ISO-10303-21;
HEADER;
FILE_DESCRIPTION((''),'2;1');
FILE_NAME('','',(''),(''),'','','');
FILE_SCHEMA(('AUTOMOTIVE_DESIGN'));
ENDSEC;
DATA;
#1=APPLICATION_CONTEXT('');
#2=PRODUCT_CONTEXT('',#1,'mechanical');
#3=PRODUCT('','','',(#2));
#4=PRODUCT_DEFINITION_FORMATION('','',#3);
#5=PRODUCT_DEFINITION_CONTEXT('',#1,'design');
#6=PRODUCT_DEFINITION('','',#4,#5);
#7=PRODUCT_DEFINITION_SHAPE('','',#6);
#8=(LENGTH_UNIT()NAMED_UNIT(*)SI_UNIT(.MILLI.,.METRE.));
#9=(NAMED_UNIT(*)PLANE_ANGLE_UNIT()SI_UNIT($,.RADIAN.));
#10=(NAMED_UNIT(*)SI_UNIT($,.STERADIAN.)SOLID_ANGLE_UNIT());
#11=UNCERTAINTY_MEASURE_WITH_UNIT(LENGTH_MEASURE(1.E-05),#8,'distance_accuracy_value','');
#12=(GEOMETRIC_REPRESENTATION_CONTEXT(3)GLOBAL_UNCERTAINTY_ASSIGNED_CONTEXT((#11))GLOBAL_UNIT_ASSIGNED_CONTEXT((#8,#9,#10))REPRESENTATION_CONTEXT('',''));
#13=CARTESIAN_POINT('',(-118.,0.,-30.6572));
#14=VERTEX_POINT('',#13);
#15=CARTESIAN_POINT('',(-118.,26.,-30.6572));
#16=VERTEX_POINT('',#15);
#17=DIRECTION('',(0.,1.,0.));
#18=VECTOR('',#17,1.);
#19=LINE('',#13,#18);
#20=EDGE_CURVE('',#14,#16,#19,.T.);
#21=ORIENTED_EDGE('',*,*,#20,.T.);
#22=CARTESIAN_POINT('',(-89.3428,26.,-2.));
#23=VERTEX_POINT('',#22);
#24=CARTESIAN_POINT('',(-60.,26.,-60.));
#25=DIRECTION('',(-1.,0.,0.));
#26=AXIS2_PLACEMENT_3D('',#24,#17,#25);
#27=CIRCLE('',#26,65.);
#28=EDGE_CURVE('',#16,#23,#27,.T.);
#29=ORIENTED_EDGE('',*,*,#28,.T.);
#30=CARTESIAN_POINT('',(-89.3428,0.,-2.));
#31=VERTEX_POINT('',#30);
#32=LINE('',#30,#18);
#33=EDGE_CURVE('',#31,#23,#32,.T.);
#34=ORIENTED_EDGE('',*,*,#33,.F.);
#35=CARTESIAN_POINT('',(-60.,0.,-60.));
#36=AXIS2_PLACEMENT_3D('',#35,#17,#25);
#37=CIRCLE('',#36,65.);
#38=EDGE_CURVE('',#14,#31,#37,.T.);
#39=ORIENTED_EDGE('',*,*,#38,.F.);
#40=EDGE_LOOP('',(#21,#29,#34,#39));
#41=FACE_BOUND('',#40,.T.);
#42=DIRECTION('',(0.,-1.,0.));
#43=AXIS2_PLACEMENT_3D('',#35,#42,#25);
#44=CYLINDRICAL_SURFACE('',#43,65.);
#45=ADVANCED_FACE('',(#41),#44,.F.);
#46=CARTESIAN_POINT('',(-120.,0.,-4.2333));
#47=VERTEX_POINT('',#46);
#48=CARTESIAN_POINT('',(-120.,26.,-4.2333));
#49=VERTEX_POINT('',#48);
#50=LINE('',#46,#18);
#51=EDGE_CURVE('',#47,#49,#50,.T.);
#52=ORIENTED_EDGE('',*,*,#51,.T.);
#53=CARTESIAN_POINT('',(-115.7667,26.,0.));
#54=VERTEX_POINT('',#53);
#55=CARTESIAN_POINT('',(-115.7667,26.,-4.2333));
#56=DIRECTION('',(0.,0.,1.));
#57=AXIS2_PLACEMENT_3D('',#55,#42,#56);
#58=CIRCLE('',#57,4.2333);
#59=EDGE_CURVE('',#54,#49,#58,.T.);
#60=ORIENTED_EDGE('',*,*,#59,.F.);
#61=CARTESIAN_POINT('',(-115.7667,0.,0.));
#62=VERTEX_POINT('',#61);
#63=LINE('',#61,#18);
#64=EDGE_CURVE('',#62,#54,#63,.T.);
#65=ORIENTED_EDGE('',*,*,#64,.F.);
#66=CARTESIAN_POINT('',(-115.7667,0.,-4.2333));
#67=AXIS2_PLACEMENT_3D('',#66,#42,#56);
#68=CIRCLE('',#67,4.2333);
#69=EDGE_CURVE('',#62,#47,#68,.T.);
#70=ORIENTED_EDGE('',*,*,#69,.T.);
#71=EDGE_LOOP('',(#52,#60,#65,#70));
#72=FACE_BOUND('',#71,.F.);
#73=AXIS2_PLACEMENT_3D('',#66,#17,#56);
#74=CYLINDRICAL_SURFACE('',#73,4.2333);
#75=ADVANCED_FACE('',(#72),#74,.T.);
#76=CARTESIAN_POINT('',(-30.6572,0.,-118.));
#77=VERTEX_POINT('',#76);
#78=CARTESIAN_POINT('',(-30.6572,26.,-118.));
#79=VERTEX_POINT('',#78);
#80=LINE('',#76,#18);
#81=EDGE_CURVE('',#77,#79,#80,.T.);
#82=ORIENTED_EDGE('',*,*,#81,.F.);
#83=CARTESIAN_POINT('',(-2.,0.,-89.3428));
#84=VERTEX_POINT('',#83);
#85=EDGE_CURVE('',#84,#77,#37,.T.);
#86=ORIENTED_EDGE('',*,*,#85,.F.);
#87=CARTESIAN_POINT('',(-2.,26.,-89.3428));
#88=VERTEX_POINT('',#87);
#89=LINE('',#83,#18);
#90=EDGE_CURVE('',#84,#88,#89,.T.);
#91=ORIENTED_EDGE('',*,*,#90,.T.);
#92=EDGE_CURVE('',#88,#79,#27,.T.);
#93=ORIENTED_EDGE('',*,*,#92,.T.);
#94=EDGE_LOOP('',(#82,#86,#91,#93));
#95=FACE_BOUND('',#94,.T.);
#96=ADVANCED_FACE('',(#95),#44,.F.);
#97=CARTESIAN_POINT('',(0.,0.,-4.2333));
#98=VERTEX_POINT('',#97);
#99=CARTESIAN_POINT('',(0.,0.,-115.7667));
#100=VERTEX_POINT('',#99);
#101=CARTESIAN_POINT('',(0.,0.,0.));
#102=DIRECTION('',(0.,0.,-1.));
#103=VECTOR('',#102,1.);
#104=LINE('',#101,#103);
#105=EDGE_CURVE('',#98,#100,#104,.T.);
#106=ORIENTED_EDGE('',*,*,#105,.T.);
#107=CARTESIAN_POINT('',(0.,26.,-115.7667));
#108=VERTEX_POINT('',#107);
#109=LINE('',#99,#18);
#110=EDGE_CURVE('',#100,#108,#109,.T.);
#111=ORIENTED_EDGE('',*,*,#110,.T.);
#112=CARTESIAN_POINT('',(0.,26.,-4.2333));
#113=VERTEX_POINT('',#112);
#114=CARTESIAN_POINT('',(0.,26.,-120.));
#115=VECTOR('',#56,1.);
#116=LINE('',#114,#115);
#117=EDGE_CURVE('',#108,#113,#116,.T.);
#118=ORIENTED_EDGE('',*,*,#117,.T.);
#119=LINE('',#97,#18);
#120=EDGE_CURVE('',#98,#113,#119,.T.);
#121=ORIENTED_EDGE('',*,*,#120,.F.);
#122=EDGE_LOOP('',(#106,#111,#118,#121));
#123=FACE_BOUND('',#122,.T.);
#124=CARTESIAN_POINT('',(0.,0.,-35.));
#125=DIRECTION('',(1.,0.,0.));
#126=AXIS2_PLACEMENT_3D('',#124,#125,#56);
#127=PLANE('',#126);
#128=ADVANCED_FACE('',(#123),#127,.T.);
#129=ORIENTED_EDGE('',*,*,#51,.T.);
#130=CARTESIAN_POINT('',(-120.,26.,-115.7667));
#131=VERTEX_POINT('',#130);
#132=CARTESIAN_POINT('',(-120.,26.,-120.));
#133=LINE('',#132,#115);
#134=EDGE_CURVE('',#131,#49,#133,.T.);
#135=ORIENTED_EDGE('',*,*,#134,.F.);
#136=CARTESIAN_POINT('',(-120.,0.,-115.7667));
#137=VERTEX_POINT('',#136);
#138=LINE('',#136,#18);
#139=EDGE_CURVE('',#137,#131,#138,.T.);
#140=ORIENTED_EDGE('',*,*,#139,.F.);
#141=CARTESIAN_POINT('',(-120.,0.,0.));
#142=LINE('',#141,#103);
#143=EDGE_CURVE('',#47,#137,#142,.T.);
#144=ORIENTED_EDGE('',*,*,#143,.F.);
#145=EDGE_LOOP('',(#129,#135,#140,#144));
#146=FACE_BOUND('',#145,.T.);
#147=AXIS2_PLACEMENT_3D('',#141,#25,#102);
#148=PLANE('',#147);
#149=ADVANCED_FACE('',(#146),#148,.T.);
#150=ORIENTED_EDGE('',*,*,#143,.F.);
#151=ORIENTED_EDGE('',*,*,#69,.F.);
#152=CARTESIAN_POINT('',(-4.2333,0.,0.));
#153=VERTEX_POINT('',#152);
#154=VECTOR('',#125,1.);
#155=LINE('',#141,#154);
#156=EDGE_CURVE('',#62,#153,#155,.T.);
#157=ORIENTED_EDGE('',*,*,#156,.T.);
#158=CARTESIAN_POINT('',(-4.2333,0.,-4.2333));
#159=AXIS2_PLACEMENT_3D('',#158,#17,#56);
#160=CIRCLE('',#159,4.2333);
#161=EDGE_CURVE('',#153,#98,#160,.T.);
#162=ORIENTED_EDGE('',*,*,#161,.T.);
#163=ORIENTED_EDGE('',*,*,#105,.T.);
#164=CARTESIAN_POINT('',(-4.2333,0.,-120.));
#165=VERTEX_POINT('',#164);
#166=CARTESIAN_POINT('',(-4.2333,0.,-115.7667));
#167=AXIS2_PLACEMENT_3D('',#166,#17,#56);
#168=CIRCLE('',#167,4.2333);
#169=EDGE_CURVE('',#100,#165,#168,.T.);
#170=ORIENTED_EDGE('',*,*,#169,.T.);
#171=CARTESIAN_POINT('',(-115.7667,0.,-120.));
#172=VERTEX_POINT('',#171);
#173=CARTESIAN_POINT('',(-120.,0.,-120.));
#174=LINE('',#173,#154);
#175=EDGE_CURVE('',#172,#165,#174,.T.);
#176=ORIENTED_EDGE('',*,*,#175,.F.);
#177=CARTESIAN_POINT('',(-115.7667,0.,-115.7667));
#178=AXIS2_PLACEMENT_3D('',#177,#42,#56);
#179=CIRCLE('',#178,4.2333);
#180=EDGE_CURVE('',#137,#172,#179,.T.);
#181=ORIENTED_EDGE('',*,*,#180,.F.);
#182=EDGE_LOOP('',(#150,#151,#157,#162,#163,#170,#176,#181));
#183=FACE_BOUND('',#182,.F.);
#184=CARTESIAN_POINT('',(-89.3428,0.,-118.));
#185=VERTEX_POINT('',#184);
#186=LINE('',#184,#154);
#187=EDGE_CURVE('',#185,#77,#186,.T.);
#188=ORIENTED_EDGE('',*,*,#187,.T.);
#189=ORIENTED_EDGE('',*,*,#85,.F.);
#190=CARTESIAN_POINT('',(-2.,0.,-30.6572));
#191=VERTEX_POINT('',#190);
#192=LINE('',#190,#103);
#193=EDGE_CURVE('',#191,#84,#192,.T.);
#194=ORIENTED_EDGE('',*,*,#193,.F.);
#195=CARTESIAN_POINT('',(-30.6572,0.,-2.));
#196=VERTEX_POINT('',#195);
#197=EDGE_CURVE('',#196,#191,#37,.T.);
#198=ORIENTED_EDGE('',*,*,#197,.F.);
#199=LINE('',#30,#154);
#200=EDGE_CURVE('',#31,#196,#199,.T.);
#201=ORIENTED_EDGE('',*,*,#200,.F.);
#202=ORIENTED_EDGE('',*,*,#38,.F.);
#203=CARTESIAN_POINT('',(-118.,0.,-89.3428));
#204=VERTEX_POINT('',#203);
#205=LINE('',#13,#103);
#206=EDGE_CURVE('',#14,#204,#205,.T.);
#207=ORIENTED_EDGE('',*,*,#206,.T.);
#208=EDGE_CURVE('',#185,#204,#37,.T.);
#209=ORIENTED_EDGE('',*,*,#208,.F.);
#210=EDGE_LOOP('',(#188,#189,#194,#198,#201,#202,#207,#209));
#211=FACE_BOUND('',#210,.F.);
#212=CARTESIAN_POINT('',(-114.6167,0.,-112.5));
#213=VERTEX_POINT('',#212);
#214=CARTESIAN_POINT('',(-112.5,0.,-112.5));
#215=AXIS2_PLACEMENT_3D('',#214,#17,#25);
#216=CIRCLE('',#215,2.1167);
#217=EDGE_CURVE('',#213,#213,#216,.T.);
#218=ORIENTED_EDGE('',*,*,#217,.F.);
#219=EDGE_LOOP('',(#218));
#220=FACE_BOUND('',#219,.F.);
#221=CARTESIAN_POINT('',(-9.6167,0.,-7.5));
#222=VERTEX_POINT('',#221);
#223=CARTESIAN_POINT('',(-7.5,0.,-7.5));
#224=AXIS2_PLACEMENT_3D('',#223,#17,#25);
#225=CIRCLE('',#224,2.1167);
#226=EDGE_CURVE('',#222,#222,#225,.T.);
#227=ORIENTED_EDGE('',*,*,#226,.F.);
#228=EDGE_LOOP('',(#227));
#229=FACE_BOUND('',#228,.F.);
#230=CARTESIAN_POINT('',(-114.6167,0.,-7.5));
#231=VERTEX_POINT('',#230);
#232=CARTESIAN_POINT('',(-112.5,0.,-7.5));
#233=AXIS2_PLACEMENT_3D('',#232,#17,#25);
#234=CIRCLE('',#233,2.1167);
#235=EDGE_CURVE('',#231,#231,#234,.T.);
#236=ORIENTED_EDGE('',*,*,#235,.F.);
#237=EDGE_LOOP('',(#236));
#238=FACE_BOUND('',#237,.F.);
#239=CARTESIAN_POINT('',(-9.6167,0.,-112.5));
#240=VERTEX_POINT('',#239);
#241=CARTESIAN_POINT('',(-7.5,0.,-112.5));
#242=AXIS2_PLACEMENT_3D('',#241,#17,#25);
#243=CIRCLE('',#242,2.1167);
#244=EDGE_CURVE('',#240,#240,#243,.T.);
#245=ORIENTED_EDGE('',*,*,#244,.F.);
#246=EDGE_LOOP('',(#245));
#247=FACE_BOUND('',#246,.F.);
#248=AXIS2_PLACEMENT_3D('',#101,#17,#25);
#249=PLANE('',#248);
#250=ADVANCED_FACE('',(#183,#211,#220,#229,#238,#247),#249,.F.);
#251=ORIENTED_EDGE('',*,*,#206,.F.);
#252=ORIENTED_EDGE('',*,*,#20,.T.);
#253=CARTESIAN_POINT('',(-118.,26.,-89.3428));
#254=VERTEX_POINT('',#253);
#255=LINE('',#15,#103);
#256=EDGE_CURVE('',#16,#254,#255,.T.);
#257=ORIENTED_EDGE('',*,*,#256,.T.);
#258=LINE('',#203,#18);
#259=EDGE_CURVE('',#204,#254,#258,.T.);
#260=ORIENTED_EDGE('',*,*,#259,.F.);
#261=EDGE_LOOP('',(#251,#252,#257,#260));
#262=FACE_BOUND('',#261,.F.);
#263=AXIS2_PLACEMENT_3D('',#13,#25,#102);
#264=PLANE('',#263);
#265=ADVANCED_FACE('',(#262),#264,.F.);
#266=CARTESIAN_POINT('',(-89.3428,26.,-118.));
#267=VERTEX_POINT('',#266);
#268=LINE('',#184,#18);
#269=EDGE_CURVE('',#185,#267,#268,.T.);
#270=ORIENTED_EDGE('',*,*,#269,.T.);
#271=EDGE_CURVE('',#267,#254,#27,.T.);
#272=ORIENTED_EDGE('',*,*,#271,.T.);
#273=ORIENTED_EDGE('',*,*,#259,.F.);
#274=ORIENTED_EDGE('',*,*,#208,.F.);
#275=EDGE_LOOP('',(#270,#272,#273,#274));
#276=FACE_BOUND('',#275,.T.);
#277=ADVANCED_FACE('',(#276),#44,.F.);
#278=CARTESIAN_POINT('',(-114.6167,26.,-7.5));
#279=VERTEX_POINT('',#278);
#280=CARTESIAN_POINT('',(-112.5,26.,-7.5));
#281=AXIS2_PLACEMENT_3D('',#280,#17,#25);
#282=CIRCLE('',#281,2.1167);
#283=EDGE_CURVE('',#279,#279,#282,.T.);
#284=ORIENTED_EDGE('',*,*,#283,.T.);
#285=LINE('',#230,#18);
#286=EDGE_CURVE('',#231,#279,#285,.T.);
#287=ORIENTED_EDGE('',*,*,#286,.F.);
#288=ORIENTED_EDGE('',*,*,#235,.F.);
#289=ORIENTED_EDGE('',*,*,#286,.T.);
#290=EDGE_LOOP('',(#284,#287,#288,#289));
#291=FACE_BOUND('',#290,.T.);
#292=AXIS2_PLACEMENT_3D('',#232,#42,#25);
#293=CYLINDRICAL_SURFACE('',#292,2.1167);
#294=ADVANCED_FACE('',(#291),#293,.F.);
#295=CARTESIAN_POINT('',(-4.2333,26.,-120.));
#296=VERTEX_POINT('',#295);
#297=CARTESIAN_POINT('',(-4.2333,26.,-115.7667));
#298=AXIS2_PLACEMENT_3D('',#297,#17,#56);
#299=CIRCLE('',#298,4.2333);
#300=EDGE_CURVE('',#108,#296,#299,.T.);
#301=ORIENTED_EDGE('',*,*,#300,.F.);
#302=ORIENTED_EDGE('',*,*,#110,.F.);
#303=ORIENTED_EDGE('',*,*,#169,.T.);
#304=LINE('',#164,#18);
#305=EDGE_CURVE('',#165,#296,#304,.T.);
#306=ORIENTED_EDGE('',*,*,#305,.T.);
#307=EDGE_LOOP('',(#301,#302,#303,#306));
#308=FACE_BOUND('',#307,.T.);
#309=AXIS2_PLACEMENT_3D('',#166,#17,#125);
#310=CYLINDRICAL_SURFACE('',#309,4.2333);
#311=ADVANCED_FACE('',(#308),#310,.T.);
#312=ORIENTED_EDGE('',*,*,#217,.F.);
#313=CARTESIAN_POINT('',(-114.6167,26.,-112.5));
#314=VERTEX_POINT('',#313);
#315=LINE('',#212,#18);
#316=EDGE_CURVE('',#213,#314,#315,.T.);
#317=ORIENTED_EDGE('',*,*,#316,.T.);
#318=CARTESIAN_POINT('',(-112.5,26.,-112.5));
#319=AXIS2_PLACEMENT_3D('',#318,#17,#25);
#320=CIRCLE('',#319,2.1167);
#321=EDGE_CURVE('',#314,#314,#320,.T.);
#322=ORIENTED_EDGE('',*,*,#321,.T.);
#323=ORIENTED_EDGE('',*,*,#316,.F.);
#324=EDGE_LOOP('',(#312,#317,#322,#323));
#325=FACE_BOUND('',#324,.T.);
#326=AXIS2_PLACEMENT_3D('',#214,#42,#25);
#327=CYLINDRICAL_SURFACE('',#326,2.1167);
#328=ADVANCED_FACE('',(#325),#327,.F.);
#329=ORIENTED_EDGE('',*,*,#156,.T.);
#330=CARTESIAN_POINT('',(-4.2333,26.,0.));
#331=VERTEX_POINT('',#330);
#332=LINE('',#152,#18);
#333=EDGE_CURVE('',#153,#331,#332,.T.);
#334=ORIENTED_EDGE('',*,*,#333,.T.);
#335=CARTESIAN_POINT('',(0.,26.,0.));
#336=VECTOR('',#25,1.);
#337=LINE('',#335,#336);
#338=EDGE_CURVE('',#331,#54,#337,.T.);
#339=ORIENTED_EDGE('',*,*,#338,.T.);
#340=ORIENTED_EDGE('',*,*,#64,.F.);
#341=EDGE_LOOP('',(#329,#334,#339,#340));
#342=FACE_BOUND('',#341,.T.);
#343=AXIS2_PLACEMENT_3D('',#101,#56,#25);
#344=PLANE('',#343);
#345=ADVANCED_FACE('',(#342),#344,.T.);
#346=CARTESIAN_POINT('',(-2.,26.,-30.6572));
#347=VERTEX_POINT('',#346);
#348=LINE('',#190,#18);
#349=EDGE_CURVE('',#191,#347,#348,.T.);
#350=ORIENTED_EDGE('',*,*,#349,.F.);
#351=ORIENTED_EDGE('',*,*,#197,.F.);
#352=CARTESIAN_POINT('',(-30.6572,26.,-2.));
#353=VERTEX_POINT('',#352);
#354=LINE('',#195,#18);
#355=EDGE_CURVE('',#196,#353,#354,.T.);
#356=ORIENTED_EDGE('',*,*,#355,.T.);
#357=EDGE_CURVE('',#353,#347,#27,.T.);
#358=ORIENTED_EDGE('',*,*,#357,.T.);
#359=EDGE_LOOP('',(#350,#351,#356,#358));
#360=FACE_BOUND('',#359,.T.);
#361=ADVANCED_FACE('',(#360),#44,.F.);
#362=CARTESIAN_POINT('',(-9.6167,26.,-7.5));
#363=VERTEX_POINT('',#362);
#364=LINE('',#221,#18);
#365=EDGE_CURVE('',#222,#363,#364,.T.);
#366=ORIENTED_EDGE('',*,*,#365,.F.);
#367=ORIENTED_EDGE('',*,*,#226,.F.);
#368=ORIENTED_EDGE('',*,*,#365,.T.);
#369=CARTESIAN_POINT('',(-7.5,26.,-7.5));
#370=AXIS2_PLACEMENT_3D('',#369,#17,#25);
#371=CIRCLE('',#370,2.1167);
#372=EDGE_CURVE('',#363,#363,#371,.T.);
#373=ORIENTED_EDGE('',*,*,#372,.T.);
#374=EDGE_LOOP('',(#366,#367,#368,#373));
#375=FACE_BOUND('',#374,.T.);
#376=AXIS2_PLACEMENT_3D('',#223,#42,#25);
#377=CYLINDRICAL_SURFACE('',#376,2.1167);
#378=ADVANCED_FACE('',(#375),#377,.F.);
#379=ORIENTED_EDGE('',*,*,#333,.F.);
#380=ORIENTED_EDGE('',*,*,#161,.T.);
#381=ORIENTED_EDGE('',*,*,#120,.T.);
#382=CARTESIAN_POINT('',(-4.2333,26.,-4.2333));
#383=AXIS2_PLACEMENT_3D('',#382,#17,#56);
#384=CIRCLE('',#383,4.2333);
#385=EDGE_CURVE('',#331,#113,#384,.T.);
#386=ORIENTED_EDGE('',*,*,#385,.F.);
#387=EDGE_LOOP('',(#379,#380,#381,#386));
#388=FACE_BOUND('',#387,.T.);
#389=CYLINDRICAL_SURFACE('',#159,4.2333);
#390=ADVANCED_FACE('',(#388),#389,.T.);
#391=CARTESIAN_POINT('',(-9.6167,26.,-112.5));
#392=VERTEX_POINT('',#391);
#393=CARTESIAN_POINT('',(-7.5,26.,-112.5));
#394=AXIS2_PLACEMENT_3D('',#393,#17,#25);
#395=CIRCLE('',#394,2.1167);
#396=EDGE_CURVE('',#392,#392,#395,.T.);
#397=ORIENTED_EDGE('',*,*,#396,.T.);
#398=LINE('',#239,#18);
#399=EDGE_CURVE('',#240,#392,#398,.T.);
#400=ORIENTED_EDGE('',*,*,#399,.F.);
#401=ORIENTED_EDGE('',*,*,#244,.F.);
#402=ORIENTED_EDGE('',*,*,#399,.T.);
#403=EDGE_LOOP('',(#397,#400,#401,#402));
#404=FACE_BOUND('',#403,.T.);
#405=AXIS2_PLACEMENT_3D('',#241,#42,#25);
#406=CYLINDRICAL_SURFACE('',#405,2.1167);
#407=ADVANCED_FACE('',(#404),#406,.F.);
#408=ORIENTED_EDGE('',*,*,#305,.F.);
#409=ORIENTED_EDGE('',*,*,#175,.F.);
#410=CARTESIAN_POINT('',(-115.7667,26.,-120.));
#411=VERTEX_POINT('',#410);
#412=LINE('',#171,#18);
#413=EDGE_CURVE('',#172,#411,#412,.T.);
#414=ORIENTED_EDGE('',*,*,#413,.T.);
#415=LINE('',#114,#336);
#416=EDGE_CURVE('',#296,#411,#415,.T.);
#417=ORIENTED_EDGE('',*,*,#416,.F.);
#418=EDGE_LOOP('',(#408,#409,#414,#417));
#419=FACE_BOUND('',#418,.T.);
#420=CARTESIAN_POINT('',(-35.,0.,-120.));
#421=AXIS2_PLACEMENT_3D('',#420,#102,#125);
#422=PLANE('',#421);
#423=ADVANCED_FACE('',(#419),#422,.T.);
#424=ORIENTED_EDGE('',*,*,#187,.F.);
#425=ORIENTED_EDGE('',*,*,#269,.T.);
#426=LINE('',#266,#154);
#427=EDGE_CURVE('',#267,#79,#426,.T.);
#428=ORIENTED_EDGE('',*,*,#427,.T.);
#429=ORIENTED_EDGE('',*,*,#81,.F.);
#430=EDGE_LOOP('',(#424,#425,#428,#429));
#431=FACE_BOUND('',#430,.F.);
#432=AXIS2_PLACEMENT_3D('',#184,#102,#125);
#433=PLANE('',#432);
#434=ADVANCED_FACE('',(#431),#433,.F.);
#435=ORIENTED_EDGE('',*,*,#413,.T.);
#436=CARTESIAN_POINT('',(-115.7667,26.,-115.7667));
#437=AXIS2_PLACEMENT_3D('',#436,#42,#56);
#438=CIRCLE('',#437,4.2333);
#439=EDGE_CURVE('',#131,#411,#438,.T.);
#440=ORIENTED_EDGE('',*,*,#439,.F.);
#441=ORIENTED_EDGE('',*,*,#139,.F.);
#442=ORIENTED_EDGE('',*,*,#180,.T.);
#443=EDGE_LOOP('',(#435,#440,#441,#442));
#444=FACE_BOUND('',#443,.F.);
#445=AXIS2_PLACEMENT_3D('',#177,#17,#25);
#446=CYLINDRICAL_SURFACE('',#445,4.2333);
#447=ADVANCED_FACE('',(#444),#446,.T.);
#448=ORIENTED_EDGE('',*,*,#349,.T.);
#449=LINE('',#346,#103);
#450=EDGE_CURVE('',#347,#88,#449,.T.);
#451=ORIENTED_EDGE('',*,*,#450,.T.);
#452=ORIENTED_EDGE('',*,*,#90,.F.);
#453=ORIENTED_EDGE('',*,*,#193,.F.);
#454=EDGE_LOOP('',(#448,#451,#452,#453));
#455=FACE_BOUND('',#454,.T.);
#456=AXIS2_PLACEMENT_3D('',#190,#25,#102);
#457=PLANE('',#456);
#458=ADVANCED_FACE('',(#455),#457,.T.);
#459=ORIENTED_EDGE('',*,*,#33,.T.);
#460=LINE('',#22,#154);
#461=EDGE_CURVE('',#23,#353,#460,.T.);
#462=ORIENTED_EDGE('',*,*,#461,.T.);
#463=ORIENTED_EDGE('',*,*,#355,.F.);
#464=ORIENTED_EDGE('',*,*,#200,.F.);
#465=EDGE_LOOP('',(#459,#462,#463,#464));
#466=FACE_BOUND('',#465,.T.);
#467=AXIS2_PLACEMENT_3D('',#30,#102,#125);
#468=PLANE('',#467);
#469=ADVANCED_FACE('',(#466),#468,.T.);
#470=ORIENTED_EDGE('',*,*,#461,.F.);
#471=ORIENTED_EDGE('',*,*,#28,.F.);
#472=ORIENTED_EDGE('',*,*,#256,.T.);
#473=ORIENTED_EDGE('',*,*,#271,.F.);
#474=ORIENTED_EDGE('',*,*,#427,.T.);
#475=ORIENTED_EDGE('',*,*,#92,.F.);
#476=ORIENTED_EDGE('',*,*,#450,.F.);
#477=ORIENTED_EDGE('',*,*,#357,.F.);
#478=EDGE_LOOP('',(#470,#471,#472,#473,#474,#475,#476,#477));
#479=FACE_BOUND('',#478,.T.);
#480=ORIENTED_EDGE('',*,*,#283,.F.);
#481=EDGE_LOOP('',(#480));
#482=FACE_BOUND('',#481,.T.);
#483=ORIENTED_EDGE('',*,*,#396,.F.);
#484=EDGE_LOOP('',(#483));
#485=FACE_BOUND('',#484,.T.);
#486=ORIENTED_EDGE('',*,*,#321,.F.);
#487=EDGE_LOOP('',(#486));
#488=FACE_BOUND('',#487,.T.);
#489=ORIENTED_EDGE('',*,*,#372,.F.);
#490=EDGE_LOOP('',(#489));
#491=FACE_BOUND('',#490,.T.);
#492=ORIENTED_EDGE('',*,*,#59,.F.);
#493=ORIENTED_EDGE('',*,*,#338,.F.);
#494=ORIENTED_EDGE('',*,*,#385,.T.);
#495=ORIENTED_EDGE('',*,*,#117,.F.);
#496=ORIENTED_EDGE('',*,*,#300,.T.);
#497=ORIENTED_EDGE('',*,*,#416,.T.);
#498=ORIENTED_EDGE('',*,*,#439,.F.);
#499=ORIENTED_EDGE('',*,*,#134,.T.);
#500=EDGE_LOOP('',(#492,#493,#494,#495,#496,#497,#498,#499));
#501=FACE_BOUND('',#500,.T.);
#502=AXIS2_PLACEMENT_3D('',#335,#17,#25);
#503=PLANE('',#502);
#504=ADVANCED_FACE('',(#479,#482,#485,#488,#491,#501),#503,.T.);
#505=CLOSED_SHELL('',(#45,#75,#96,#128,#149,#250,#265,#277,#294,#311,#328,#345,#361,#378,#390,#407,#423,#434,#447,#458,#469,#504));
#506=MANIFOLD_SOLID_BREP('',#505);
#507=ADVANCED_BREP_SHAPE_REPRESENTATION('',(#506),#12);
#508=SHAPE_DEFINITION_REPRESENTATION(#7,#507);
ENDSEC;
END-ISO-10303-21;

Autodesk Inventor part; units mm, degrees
ref_plane "YZ Plane" through (0, 0, 0) normal (1, 0, 0) x (0, 1, 0)
ref_plane "XZ Plane" through (0, 0, 0) normal (0, 1, 0) x (-1, 0, 0)
ref_plane "XY Plane" through (0, 0, 0) normal (0, 0, 1) x (1, 0, 0)
sketch "Sketch1" plane through (0, 0, 0) normal (0, 1, 0) x (-1, 0, 0)
  line L0 (0, 0) -> (120, 0)
  line L1 (120, 0) -> (120, -120)
  line L2 (120, -120) -> (0, -120)
  line L3 (0, -120) -> (0, 0)
  line L4 (112.5, -7.5) -> (7.5, -7.5) construction
  line L5 (7.5, -7.5) -> (7.5, -112.5) construction
  line L6 (7.5, -112.5) -> (112.5, -112.5) construction
  line L7 (112.5, -112.5) -> (112.5, -7.5) construction
  line L8 (112.5, -60) -> (120, -60) construction
  line L9 (60, -112.5) -> (60, -120) construction
  circle A0 centre (112.5, -7.5) radius 2.1167
  circle A1 centre (112.5, -112.5) radius 2.1167
  circle A2 centre (7.5, -112.5) radius 2.1167
  circle A3 centre (7.5, -7.5) radius 2.1167
  circle A4 centre (60, -60) radius 65
  line L10 (89.3428, -2) -> (30.6572, -2)
  line L11 (118, -30.6572) -> (118, -89.3428)
  line L12 (89.3428, -118) -> (30.6572, -118)
  line L13 (2, -30.6572) -> (2, -89.3428)
  point P0 (116.25, -60)
  point P1 (60, -116.25)
  dimension "d3" = 130
  dimension "d0" = 120
  dimension "d1" = 105
  dimension "d2" = 4.2333
  dimension "d4" = 2
extrude "Extrusion1" add sketch "Sketch1" along normal blind 26 contours L0 A4 L3 | L0 A4 L10 | A4 L13 L3 | L0 L1 A4 | A4 L2 L3 | L1 A4 L11 | A4 L12 L2 | L1 L2 A4
fillet "Fillet1" radius 4.2333 4 edges at (0, 13, -120) (-120, 13, -120) (-120, 13, 0) (0, 13, 0)
properties part number "120mm_fan"
